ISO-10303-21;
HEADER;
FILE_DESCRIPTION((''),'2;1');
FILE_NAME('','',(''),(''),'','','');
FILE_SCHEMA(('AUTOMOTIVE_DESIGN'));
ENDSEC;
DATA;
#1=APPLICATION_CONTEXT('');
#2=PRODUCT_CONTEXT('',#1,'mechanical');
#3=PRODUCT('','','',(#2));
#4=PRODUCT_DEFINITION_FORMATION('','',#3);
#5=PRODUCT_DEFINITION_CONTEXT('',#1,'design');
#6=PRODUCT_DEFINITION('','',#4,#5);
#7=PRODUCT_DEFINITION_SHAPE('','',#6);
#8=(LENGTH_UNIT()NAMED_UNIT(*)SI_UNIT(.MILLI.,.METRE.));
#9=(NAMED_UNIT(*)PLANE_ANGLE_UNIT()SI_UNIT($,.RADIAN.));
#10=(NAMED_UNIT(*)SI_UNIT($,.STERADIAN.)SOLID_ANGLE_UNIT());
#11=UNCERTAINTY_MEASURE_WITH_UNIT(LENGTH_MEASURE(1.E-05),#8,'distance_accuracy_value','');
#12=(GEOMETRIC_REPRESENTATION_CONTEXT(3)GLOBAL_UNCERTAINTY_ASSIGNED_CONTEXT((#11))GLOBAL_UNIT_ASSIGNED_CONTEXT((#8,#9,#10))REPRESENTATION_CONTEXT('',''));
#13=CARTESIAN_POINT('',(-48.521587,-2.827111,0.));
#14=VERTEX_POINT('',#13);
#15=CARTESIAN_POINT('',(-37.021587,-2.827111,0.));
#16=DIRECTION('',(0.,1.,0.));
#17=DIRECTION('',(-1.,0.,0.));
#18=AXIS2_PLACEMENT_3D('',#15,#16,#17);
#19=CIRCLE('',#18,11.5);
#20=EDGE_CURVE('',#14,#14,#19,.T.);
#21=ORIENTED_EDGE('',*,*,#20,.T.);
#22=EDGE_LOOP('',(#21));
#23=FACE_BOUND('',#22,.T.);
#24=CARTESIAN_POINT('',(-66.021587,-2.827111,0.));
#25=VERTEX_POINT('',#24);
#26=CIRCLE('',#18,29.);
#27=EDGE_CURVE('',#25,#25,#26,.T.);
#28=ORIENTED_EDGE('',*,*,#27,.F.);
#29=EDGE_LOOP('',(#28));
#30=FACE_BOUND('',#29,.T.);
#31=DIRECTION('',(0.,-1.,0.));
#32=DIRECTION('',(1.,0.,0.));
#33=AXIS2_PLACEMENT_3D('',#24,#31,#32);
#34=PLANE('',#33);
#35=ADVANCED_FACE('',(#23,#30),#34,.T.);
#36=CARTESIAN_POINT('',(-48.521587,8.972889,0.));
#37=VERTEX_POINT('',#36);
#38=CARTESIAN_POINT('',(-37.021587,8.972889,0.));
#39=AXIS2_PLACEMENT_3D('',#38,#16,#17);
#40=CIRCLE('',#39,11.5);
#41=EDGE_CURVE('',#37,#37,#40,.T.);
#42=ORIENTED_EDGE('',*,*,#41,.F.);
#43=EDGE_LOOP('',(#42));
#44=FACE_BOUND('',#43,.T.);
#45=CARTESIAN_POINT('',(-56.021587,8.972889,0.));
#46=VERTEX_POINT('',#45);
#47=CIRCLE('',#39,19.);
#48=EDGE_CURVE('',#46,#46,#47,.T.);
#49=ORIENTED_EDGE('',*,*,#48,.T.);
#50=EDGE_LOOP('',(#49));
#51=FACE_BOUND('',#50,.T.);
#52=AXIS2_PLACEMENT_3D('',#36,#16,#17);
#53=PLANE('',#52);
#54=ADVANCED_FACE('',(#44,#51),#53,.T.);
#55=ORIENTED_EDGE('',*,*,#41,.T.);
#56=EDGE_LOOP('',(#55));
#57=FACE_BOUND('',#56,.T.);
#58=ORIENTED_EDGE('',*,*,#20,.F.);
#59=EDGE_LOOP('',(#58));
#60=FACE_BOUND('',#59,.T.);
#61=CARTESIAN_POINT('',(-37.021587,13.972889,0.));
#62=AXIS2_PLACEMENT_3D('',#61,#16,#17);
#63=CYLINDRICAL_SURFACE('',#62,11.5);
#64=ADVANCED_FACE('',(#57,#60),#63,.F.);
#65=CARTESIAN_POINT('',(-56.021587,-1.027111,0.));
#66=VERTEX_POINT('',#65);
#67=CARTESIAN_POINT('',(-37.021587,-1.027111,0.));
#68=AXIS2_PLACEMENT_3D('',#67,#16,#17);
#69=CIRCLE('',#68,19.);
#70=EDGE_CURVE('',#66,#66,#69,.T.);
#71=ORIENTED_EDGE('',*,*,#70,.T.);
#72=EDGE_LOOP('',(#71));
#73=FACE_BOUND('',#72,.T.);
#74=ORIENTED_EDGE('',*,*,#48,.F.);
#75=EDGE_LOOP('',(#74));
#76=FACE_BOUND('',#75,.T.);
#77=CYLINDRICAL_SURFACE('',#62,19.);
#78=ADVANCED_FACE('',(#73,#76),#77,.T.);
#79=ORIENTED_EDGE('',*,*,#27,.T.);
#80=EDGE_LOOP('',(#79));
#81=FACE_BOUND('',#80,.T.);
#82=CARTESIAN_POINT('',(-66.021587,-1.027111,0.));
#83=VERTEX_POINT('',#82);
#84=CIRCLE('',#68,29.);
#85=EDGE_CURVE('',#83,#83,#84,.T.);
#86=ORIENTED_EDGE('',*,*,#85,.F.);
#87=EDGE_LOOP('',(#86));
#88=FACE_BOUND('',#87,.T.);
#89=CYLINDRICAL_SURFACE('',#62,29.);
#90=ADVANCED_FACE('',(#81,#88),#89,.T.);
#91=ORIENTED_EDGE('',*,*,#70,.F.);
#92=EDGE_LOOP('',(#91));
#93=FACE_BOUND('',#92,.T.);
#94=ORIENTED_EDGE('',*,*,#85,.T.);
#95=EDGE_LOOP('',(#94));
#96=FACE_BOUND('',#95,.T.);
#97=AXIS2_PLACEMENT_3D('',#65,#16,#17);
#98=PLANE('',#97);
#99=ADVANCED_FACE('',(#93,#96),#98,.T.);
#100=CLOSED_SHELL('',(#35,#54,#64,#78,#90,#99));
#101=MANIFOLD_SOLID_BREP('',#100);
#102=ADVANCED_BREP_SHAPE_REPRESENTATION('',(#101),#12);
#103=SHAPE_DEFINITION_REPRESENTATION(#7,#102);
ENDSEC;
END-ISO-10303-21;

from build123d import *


with BuildPart() as part:
    # Croquis1 → Revolución1 (revolve)
    with BuildSketch(Plane.XY):
        Polygon((-48.52158728, 8.972889318), (-48.52158728, -2.827110682), (-66.02158728, -2.827110682), (-66.02158728, -1.027110682), (-56.02158728, -1.027110682), (-56.02158728, 8.972889318), align=None)
    revolve(axis=Axis((-37.02158728, 13.972889318, 0), (0, -1, 0)))


solid = part.part
